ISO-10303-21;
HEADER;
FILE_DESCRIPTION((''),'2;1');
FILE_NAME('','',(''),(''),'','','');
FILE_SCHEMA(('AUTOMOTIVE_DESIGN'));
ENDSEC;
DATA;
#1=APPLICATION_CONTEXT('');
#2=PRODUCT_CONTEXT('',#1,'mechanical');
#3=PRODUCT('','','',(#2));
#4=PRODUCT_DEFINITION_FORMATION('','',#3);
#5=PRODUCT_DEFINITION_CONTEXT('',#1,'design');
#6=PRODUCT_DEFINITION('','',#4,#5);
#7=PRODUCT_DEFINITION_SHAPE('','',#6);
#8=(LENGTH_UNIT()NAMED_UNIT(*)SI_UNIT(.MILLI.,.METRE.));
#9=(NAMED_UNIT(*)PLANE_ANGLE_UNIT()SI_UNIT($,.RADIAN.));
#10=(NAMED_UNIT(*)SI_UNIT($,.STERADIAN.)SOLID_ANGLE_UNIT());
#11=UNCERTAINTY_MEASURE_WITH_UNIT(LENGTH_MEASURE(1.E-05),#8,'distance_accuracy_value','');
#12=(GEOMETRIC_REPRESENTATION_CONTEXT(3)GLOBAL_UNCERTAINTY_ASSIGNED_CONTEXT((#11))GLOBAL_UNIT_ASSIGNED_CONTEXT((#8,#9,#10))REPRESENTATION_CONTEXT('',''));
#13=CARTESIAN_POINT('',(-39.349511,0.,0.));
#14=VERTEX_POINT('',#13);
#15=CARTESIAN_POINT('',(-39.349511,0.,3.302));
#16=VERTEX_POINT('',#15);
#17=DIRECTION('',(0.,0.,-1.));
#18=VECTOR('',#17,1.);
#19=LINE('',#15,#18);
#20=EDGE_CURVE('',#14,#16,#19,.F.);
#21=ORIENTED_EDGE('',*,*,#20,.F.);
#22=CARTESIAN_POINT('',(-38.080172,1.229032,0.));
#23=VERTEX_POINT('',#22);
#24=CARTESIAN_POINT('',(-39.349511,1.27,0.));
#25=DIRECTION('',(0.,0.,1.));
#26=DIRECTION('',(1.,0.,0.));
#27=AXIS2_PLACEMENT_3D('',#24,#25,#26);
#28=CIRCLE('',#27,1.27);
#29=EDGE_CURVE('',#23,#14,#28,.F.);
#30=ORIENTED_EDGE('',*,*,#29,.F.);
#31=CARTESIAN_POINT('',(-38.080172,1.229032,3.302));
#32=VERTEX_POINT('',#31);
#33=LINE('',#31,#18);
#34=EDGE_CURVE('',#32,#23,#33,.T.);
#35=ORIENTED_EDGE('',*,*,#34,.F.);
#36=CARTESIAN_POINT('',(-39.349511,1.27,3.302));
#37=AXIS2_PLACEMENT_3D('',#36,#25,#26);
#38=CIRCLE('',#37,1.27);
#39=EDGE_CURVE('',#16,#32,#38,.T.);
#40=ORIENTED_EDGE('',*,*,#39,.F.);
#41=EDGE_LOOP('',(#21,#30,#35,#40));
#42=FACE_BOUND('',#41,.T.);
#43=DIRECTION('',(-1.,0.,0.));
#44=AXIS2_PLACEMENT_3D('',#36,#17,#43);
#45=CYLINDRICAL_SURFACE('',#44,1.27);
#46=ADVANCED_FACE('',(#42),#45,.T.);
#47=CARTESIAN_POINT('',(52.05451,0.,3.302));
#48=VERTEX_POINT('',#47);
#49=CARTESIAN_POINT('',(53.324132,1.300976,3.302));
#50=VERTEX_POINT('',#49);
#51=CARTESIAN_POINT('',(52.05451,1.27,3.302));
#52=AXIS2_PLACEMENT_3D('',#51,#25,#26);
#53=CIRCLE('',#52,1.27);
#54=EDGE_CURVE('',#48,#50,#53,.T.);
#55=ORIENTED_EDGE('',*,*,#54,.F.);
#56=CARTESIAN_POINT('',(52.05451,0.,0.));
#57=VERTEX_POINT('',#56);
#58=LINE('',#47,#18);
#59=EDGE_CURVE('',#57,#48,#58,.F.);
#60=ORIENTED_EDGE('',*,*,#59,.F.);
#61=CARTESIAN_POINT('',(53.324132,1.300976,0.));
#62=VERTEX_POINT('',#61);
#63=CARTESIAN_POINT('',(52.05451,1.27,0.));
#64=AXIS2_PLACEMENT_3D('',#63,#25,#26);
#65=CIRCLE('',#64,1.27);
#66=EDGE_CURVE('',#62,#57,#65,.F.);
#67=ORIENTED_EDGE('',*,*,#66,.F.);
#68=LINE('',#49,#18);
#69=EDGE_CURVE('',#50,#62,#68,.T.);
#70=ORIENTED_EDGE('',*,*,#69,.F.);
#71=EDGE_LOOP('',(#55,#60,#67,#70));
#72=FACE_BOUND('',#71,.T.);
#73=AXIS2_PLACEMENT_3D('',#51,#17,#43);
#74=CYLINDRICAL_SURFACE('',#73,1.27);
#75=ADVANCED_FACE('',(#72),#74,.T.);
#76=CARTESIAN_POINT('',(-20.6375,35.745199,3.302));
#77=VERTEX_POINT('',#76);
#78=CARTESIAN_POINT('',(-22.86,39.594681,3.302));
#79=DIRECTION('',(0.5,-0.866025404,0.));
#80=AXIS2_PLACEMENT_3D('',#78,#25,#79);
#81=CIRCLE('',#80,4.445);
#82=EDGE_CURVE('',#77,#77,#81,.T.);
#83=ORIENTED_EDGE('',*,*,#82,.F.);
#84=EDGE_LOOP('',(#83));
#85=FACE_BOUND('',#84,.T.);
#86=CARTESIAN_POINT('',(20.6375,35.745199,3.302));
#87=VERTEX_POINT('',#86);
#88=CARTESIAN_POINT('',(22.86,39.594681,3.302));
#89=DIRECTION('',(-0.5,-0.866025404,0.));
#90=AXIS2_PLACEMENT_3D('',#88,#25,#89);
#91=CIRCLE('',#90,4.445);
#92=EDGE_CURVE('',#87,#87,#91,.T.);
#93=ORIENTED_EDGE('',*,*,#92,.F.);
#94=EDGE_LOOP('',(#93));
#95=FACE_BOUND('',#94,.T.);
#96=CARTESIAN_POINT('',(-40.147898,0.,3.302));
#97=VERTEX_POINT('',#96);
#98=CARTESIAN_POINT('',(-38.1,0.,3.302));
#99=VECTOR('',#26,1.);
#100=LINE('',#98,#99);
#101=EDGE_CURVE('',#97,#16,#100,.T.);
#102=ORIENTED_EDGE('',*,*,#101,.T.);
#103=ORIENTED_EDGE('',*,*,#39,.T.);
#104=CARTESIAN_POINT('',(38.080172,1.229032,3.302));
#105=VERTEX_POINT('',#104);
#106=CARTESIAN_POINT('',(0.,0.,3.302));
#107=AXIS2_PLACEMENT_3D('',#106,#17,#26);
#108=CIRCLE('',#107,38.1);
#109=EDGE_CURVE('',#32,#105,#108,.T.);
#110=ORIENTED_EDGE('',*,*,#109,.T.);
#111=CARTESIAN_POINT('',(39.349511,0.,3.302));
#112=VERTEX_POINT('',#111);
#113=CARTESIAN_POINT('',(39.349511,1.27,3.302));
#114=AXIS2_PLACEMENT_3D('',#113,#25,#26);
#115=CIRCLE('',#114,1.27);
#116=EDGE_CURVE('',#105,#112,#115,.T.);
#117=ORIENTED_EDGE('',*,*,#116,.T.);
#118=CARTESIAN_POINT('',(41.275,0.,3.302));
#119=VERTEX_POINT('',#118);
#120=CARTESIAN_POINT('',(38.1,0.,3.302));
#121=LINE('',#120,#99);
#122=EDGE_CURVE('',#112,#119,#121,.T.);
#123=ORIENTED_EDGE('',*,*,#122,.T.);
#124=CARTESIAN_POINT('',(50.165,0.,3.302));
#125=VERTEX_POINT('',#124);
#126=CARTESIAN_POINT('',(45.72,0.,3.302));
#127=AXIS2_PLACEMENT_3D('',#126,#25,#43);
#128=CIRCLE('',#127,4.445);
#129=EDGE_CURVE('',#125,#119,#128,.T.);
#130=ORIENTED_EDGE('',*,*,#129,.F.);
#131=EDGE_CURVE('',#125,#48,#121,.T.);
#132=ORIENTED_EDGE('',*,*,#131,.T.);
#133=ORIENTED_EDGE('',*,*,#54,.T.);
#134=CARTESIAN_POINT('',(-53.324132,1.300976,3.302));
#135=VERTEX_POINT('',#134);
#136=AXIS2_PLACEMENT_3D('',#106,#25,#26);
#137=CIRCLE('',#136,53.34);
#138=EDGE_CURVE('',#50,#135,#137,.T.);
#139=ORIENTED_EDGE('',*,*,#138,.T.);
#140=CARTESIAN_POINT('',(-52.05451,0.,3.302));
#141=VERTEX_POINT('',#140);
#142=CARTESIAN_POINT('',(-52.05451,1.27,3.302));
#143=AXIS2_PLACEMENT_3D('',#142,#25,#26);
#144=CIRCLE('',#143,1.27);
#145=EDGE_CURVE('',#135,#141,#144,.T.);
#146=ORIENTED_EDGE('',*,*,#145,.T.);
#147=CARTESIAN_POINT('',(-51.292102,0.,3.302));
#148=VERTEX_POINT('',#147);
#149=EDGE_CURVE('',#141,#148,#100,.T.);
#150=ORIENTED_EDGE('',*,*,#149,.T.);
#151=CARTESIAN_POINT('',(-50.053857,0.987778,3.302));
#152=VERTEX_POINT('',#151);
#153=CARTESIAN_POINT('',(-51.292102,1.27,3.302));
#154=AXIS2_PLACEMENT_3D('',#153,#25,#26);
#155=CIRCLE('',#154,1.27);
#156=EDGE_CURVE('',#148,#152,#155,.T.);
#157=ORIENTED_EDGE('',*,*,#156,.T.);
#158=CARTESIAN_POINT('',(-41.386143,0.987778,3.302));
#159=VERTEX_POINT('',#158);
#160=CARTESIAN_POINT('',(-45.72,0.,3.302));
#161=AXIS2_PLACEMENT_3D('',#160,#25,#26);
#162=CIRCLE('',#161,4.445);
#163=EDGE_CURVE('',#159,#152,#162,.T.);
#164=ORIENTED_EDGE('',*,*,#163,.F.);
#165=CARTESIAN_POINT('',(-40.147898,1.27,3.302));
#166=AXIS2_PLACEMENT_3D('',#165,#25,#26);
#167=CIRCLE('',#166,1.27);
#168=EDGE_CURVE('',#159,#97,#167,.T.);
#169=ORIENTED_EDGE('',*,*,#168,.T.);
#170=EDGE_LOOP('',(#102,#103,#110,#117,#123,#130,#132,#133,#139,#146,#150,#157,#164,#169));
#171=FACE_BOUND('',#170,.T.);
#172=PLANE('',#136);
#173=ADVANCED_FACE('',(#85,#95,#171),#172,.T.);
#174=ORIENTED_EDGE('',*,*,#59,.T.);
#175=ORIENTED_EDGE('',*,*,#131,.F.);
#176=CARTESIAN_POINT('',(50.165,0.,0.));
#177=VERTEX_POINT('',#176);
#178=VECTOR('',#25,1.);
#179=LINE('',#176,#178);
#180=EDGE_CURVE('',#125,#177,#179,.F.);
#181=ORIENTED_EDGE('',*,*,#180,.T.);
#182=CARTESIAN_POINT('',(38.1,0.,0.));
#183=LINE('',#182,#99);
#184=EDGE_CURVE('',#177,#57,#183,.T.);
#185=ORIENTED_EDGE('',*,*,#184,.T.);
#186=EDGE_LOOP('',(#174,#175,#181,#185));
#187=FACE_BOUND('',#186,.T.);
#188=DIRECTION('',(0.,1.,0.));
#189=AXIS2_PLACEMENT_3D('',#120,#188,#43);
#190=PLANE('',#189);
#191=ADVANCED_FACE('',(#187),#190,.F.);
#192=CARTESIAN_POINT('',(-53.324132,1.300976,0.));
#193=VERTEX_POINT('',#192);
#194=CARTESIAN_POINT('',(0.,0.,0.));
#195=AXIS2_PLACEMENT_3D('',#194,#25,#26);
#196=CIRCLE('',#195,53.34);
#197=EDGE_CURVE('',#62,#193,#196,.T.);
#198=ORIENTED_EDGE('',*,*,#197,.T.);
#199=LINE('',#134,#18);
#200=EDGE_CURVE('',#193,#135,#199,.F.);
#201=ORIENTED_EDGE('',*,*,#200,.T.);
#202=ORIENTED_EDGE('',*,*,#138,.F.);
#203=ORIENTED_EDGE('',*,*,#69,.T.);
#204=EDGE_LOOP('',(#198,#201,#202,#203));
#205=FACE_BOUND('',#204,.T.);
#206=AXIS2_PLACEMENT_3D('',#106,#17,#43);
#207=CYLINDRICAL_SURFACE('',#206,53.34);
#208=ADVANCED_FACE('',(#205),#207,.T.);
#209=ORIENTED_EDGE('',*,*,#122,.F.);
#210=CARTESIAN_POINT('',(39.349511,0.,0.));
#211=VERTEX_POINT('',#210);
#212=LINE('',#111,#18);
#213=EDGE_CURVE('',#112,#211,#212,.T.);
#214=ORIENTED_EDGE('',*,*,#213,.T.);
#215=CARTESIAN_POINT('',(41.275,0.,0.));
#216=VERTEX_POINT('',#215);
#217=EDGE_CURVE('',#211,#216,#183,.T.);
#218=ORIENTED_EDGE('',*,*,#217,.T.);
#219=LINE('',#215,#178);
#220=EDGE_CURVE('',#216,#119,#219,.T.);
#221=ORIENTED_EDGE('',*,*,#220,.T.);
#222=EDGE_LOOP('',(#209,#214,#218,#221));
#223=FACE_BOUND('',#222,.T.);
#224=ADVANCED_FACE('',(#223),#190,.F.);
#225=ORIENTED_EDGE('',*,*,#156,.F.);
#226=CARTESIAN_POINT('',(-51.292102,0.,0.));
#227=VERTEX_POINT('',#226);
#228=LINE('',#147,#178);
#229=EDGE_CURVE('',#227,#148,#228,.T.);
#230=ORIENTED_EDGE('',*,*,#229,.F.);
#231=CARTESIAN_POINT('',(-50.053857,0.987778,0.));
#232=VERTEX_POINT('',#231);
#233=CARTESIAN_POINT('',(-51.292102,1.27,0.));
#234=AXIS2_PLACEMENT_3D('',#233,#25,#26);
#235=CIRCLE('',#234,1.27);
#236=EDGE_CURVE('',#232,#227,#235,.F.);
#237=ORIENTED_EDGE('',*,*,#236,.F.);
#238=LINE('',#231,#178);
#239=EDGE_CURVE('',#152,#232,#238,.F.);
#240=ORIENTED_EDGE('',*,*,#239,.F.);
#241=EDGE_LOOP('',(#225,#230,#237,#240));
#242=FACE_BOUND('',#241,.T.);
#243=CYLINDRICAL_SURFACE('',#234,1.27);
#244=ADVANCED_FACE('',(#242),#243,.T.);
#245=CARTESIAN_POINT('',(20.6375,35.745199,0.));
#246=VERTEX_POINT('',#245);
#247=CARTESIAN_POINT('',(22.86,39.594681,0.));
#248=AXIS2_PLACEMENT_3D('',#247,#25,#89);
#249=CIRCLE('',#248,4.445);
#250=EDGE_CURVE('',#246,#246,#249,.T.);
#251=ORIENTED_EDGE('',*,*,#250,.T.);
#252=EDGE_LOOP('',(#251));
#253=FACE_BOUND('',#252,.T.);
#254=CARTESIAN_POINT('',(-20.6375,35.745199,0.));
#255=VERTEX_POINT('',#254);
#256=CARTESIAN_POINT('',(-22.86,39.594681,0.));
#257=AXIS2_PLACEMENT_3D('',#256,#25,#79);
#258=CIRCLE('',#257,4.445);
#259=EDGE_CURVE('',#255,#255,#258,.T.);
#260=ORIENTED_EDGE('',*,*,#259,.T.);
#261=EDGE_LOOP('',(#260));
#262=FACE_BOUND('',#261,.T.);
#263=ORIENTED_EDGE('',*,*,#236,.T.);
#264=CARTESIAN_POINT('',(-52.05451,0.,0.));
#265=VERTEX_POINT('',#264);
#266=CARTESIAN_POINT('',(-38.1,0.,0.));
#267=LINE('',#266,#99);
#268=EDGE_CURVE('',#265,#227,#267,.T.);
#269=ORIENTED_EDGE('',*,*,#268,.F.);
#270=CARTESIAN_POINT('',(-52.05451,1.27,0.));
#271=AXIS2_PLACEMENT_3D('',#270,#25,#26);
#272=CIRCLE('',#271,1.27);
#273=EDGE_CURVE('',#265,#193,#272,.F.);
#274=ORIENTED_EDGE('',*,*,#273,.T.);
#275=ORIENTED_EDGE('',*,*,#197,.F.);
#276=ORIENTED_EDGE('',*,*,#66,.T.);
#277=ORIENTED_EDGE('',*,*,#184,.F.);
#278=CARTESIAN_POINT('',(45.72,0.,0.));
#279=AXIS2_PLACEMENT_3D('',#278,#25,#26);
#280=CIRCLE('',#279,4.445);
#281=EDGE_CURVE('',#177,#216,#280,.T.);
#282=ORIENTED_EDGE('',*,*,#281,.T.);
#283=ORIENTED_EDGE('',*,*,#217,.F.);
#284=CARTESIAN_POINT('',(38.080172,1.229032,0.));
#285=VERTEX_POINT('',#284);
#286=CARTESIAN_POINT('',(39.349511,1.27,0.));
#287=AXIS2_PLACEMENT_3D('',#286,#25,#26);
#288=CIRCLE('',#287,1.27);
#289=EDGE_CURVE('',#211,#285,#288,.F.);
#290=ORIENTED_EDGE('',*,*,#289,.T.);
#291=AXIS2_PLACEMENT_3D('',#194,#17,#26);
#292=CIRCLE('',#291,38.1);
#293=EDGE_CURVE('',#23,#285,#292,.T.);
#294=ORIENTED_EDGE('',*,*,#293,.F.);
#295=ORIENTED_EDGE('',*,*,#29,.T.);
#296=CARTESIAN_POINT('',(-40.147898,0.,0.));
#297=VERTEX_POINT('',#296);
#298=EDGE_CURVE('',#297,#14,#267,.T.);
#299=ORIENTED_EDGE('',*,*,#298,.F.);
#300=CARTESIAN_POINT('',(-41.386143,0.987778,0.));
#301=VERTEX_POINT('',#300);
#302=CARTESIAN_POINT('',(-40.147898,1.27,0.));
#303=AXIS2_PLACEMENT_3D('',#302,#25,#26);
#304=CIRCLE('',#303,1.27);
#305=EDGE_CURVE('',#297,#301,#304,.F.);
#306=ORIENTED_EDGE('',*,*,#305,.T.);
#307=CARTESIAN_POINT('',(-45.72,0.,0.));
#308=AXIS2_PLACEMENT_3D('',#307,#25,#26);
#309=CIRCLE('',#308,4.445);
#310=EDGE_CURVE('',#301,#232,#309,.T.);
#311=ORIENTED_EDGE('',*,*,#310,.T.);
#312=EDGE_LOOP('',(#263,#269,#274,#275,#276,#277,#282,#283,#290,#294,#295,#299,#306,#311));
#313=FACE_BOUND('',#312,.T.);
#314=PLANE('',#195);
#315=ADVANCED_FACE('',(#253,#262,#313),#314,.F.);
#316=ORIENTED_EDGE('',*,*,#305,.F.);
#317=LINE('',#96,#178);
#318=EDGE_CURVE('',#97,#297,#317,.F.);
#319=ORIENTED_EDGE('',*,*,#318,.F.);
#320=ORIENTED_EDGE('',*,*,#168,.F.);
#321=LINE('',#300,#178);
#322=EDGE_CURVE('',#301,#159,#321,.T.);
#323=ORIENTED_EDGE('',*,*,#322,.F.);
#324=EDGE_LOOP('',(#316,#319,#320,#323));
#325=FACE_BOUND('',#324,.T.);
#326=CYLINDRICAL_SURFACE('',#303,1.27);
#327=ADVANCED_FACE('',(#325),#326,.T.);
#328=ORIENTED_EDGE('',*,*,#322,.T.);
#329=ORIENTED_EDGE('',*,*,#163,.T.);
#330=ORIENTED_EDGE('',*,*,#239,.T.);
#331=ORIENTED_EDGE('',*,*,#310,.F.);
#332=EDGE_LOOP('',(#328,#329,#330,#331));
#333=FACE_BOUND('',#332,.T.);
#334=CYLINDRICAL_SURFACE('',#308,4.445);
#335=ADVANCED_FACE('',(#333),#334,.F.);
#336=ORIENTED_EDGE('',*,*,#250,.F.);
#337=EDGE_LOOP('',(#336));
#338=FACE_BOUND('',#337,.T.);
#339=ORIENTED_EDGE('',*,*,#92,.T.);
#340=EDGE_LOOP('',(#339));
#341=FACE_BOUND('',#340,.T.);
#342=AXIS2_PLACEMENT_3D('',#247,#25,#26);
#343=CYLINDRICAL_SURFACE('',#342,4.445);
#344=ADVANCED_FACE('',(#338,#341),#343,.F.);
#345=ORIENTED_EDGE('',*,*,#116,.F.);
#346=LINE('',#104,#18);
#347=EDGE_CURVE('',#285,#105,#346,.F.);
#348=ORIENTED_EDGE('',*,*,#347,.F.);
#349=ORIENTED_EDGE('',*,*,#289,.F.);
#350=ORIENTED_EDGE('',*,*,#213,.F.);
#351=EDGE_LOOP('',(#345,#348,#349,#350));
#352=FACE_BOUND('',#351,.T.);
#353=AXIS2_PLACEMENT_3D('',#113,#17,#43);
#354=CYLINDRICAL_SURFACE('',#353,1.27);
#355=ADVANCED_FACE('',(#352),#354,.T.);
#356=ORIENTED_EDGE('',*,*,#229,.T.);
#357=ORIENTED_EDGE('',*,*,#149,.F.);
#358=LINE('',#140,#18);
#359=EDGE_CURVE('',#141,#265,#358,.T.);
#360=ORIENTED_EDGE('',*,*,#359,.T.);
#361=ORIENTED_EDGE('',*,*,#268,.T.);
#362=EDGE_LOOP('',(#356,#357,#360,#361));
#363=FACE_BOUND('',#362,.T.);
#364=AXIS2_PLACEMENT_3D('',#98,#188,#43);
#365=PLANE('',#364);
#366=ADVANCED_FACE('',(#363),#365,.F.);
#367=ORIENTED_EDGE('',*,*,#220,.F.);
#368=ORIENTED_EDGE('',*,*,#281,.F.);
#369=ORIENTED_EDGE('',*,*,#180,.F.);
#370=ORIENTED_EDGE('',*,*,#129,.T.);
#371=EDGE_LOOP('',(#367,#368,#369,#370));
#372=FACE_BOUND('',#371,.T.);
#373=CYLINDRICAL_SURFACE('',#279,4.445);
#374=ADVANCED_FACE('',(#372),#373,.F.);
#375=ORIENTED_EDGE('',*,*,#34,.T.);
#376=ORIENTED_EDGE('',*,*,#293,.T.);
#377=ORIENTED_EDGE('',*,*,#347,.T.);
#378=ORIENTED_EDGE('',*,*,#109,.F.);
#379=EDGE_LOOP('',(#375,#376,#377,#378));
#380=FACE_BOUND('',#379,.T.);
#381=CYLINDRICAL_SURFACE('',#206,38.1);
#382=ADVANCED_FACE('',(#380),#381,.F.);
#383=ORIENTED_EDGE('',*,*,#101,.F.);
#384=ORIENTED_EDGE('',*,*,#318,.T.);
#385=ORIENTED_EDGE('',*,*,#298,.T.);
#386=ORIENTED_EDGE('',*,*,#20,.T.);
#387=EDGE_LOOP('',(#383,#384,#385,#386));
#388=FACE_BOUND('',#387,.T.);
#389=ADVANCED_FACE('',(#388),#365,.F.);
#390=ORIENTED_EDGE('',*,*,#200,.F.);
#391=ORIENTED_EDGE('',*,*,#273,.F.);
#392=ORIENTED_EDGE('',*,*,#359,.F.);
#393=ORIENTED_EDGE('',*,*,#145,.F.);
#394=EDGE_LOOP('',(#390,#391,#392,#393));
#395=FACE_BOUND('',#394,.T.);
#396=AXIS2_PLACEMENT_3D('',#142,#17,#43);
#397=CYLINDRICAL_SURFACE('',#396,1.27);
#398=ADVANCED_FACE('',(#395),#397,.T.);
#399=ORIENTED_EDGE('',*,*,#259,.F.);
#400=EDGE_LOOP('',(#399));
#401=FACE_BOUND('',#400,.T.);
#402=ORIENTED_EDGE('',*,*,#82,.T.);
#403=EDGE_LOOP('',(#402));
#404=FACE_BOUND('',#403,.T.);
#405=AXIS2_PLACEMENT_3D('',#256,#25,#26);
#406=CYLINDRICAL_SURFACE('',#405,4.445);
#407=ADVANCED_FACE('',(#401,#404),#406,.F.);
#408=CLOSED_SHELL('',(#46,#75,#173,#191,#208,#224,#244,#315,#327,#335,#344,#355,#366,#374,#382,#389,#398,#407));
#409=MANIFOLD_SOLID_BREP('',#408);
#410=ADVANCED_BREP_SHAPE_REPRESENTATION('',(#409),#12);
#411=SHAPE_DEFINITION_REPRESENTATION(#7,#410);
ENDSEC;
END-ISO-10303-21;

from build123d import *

# Parameters (mm, degrees)
SALIENTE_EXTRUIR1_DEPTH = 3.302
CROQUIS2_R              = 4.445
CORTAR_EXTRUIR1_DEPTH   = 3.302
MATRIZC1_COUNT          = 4
MATRIZC1_ANGLE          = 180
REDONDEO1_R             = 1.27


with BuildPart() as part:
    # Croquis1 → Saliente-Extruir1 (new body)
    with BuildSketch(Plane.XY):
        with BuildLine():
            Line((-38.1, 0), (-53.34, 0))
            ThreePointArc((-53.34, 0), (0, 53.34), (53.34, 0))
            Line((53.34, 0), (38.1, 0))
            ThreePointArc((38.1, 0), (0, 38.1), (-38.1, 0))
        make_face()
    extrude(amount=SALIENTE_EXTRUIR1_DEPTH)

    # Croquis2 → Cortar-Extruir1 (cut)
    with BuildSketch(Plane.XY.offset(3.302)):
        with Locations((-45.72, 0)):
            Circle(CROQUIS2_R)
    cortar_extruir1 = extrude(amount=-CORTAR_EXTRUIR1_DEPTH, mode=Mode.SUBTRACT)

    # MatrizC1: Cortar-Extruir1 ×4 about axis
    matrizc1_axis = Axis((0, 0, 3.302), (0, 0, -1))
    for i in range(1, MATRIZC1_COUNT):
        add(cortar_extruir1.rotate(matrizc1_axis, i * MATRIZC1_ANGLE / (MATRIZC1_COUNT - 1)), mode=Mode.SUBTRACT)

    # Redondeo1
    redondeo1_edges = [part.edges().sort_by_distance(p)[0] for p in [
        (53.34, 0, 1.651),
        (38.1, 0, 1.651),
        (-41.275, 0, 1.651),
        (-50.165, 0, 1.651),
        (-38.1, 0, 1.651),
        (-53.34, 0, 1.651),
    ]]
    fillet(redondeo1_edges, radius=REDONDEO1_R)


solid = part.part
